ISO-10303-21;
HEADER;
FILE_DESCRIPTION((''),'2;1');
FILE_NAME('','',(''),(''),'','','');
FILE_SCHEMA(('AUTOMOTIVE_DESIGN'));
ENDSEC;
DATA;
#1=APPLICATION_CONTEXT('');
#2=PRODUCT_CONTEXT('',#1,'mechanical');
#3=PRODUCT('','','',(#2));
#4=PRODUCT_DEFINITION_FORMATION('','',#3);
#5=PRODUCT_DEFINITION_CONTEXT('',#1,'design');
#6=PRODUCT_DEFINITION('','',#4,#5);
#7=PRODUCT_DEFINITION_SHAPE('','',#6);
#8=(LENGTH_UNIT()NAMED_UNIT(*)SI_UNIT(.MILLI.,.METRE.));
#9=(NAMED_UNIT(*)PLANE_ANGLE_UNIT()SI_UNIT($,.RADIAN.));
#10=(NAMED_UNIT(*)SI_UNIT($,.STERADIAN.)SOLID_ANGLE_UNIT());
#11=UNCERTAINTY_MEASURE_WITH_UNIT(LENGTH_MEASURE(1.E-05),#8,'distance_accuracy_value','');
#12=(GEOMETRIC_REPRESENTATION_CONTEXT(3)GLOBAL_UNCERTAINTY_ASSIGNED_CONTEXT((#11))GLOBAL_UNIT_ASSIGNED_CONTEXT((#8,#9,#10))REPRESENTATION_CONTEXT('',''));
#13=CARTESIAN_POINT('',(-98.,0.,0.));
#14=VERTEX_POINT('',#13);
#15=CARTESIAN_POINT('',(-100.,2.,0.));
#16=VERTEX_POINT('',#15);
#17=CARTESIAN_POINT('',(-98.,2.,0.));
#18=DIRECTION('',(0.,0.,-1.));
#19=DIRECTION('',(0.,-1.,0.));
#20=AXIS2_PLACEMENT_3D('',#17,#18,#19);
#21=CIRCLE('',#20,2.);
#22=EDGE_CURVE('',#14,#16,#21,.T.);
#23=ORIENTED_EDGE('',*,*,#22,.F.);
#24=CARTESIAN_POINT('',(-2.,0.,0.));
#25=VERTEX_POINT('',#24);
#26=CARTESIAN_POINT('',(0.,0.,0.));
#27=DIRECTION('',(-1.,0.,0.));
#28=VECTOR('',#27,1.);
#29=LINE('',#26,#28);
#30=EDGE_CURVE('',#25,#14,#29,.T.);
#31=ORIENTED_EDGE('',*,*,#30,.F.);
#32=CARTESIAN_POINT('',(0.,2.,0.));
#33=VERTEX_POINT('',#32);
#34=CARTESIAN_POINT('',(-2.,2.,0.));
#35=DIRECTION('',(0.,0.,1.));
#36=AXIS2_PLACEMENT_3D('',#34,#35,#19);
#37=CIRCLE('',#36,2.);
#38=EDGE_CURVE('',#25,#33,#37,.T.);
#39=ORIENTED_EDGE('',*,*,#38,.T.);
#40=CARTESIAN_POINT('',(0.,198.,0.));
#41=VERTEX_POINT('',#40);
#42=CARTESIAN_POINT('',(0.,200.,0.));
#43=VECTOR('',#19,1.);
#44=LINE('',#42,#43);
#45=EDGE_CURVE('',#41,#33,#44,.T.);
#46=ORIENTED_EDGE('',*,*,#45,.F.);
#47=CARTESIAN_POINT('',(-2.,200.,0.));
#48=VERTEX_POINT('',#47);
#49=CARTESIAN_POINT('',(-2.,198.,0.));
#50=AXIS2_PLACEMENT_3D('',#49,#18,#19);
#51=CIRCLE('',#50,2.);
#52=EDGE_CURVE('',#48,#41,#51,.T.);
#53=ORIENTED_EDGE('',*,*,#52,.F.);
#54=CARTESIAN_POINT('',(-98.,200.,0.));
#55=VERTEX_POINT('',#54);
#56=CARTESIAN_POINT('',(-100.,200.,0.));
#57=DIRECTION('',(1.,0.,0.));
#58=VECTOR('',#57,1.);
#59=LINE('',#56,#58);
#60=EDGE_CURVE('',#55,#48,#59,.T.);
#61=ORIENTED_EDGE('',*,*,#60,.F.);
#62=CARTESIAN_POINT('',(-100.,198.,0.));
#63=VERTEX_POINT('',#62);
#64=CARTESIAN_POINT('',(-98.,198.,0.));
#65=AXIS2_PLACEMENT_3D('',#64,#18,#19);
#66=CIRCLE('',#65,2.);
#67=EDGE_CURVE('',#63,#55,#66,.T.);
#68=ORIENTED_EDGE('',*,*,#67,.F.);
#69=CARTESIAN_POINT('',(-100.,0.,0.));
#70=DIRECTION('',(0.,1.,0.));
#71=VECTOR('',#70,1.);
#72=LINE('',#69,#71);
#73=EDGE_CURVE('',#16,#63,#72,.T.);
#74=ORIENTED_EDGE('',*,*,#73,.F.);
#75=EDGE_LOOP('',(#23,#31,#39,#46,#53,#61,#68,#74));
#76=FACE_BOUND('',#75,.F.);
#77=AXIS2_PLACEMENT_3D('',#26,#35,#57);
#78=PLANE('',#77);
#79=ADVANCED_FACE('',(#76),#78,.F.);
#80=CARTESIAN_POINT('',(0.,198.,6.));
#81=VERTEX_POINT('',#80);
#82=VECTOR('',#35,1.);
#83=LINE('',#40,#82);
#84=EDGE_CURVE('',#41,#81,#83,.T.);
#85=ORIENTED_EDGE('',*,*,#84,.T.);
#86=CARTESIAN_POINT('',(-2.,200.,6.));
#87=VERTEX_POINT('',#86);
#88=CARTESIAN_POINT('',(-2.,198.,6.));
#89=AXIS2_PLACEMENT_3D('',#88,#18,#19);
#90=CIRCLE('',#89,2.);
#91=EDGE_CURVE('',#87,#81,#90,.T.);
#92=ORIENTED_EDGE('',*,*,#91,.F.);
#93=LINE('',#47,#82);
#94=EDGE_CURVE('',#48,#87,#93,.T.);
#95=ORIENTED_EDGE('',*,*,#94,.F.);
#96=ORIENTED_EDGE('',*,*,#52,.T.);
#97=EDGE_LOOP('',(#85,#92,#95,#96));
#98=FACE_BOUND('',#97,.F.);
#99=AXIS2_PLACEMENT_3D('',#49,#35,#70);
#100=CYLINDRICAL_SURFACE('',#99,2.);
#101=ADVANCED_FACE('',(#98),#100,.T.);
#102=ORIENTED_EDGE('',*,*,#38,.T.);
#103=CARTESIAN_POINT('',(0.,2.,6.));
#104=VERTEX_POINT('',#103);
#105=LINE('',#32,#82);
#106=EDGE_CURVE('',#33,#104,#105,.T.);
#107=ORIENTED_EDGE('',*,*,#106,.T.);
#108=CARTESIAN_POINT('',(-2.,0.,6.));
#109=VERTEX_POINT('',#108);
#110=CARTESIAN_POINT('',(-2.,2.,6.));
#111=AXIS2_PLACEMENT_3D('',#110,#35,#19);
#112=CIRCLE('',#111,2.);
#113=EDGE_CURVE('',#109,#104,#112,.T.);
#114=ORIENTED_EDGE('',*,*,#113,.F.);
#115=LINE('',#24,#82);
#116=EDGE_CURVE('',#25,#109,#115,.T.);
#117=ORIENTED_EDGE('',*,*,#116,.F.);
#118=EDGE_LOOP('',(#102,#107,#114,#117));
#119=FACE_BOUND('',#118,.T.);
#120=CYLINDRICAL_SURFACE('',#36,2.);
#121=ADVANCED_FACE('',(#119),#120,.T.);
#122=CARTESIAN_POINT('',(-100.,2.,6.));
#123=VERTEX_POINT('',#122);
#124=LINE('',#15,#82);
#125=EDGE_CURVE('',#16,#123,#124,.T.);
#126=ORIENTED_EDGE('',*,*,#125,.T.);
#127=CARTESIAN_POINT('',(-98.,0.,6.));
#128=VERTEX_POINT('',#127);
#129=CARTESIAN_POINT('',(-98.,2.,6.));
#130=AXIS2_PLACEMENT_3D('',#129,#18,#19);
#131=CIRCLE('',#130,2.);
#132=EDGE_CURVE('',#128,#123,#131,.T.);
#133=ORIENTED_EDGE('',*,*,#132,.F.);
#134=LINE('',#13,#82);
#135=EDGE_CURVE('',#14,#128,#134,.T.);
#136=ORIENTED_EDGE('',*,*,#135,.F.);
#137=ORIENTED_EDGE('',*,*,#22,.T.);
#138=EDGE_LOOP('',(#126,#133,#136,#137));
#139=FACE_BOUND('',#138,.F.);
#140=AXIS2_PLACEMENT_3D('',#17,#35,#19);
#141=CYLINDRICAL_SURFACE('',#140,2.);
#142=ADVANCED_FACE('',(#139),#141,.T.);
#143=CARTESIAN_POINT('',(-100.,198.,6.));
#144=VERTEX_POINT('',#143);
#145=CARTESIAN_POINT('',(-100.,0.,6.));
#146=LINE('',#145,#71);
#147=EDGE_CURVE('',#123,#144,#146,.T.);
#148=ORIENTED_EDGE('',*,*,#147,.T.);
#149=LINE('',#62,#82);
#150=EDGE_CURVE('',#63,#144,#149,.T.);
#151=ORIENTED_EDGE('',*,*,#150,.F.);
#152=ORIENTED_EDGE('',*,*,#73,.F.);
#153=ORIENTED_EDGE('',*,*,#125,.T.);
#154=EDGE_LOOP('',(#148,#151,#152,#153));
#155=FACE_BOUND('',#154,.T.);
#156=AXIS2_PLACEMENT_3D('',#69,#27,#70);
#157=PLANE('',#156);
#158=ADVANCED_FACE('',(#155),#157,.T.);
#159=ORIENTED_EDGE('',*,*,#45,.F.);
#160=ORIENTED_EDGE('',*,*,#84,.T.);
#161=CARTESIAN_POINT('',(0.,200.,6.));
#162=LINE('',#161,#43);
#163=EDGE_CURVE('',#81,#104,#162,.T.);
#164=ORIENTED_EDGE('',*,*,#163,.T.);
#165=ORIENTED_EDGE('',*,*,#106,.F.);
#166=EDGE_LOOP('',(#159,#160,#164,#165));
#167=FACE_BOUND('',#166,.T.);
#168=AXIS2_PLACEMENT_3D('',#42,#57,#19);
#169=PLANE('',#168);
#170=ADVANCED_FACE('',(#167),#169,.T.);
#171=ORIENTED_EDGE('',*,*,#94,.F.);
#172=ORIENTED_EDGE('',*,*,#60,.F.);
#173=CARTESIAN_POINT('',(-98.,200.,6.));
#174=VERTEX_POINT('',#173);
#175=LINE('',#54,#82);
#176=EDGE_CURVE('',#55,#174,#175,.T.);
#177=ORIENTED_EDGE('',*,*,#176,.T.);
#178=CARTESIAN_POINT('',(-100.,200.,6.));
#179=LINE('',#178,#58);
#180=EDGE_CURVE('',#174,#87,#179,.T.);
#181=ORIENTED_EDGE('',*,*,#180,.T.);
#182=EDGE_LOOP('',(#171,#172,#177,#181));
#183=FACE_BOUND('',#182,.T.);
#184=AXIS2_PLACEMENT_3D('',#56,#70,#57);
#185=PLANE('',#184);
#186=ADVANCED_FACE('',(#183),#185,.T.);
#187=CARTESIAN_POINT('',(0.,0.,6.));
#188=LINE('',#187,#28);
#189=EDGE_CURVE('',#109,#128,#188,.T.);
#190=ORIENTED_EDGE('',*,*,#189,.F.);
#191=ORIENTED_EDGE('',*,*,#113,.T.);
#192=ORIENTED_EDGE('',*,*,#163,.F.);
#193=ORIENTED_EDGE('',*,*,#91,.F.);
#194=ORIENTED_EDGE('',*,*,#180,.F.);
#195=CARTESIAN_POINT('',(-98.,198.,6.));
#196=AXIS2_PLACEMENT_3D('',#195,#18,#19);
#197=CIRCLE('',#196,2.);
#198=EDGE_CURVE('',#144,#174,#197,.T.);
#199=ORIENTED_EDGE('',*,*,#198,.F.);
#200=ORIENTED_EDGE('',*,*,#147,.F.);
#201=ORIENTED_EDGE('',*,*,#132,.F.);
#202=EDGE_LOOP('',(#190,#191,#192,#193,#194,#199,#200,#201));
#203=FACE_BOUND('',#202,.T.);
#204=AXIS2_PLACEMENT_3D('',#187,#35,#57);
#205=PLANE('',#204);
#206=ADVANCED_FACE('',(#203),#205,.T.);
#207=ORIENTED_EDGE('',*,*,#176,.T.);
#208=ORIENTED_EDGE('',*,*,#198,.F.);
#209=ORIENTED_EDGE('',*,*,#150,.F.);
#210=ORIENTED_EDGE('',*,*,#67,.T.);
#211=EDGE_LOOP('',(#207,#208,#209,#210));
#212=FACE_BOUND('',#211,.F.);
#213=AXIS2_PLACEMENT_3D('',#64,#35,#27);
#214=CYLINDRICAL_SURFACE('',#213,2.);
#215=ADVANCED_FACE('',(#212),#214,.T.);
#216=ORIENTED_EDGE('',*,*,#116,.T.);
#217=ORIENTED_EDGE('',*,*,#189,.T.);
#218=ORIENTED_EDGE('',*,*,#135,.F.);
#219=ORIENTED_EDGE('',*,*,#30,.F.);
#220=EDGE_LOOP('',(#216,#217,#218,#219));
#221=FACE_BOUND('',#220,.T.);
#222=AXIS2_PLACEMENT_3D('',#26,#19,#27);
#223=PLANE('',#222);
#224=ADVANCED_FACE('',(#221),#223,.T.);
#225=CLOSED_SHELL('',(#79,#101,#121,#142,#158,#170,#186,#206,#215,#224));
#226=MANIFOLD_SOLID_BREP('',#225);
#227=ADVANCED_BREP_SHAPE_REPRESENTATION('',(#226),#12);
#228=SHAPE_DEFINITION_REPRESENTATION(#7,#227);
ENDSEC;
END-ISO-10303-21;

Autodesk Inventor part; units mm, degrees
ref_plane "YZ Plane" through (0, 0, 0) normal (1, 0, 0) x (0, 1, 0)
sketch "Skizze4" plane through (0, 0, 0) normal (0, 0, 1) x (1, 0, 0)
  line L0 (0, 0) -> (-100, 0)
  line L1 (-100, 0) -> (-100, 200)
  line L2 (-100, 200) -> (0, 200)
  line L3 (0, 200) -> (0, 0)
  line L4 (-50, 22.6255) -> (-50, -31.1035) construction
  line L5 (-111.0989, 60) -> (-81.531, 60) construction
  point P0 (-50, 8)
  point P1 (-92, 60)
  point P2 (-50, 0)
  dimension "d6" = 100
  dimension "d7" = 200
  dimension "d20" = 8
  dimension "d21" = 8
  dimension "d31" = 60
extrude "Extrusion3" add sketch "Skizze4" along normal blind 6
ref_plane "Arbeitsebene1" through (0, 100, 0) normal (0, -1, 0) x (1, 0, 0)
ref_plane "Arbeitsebene2" through (-50, 200, 0) normal (-1, 0, 0) x (0, -1, 0)
fillet "Rundung2" radius 2 4 edges at (0, 0, 3) (-100, 0, 3) (-100, 200, 3) (0, 200, 3)
properties part number "BT004_trajan20_21" material "Acryl"
